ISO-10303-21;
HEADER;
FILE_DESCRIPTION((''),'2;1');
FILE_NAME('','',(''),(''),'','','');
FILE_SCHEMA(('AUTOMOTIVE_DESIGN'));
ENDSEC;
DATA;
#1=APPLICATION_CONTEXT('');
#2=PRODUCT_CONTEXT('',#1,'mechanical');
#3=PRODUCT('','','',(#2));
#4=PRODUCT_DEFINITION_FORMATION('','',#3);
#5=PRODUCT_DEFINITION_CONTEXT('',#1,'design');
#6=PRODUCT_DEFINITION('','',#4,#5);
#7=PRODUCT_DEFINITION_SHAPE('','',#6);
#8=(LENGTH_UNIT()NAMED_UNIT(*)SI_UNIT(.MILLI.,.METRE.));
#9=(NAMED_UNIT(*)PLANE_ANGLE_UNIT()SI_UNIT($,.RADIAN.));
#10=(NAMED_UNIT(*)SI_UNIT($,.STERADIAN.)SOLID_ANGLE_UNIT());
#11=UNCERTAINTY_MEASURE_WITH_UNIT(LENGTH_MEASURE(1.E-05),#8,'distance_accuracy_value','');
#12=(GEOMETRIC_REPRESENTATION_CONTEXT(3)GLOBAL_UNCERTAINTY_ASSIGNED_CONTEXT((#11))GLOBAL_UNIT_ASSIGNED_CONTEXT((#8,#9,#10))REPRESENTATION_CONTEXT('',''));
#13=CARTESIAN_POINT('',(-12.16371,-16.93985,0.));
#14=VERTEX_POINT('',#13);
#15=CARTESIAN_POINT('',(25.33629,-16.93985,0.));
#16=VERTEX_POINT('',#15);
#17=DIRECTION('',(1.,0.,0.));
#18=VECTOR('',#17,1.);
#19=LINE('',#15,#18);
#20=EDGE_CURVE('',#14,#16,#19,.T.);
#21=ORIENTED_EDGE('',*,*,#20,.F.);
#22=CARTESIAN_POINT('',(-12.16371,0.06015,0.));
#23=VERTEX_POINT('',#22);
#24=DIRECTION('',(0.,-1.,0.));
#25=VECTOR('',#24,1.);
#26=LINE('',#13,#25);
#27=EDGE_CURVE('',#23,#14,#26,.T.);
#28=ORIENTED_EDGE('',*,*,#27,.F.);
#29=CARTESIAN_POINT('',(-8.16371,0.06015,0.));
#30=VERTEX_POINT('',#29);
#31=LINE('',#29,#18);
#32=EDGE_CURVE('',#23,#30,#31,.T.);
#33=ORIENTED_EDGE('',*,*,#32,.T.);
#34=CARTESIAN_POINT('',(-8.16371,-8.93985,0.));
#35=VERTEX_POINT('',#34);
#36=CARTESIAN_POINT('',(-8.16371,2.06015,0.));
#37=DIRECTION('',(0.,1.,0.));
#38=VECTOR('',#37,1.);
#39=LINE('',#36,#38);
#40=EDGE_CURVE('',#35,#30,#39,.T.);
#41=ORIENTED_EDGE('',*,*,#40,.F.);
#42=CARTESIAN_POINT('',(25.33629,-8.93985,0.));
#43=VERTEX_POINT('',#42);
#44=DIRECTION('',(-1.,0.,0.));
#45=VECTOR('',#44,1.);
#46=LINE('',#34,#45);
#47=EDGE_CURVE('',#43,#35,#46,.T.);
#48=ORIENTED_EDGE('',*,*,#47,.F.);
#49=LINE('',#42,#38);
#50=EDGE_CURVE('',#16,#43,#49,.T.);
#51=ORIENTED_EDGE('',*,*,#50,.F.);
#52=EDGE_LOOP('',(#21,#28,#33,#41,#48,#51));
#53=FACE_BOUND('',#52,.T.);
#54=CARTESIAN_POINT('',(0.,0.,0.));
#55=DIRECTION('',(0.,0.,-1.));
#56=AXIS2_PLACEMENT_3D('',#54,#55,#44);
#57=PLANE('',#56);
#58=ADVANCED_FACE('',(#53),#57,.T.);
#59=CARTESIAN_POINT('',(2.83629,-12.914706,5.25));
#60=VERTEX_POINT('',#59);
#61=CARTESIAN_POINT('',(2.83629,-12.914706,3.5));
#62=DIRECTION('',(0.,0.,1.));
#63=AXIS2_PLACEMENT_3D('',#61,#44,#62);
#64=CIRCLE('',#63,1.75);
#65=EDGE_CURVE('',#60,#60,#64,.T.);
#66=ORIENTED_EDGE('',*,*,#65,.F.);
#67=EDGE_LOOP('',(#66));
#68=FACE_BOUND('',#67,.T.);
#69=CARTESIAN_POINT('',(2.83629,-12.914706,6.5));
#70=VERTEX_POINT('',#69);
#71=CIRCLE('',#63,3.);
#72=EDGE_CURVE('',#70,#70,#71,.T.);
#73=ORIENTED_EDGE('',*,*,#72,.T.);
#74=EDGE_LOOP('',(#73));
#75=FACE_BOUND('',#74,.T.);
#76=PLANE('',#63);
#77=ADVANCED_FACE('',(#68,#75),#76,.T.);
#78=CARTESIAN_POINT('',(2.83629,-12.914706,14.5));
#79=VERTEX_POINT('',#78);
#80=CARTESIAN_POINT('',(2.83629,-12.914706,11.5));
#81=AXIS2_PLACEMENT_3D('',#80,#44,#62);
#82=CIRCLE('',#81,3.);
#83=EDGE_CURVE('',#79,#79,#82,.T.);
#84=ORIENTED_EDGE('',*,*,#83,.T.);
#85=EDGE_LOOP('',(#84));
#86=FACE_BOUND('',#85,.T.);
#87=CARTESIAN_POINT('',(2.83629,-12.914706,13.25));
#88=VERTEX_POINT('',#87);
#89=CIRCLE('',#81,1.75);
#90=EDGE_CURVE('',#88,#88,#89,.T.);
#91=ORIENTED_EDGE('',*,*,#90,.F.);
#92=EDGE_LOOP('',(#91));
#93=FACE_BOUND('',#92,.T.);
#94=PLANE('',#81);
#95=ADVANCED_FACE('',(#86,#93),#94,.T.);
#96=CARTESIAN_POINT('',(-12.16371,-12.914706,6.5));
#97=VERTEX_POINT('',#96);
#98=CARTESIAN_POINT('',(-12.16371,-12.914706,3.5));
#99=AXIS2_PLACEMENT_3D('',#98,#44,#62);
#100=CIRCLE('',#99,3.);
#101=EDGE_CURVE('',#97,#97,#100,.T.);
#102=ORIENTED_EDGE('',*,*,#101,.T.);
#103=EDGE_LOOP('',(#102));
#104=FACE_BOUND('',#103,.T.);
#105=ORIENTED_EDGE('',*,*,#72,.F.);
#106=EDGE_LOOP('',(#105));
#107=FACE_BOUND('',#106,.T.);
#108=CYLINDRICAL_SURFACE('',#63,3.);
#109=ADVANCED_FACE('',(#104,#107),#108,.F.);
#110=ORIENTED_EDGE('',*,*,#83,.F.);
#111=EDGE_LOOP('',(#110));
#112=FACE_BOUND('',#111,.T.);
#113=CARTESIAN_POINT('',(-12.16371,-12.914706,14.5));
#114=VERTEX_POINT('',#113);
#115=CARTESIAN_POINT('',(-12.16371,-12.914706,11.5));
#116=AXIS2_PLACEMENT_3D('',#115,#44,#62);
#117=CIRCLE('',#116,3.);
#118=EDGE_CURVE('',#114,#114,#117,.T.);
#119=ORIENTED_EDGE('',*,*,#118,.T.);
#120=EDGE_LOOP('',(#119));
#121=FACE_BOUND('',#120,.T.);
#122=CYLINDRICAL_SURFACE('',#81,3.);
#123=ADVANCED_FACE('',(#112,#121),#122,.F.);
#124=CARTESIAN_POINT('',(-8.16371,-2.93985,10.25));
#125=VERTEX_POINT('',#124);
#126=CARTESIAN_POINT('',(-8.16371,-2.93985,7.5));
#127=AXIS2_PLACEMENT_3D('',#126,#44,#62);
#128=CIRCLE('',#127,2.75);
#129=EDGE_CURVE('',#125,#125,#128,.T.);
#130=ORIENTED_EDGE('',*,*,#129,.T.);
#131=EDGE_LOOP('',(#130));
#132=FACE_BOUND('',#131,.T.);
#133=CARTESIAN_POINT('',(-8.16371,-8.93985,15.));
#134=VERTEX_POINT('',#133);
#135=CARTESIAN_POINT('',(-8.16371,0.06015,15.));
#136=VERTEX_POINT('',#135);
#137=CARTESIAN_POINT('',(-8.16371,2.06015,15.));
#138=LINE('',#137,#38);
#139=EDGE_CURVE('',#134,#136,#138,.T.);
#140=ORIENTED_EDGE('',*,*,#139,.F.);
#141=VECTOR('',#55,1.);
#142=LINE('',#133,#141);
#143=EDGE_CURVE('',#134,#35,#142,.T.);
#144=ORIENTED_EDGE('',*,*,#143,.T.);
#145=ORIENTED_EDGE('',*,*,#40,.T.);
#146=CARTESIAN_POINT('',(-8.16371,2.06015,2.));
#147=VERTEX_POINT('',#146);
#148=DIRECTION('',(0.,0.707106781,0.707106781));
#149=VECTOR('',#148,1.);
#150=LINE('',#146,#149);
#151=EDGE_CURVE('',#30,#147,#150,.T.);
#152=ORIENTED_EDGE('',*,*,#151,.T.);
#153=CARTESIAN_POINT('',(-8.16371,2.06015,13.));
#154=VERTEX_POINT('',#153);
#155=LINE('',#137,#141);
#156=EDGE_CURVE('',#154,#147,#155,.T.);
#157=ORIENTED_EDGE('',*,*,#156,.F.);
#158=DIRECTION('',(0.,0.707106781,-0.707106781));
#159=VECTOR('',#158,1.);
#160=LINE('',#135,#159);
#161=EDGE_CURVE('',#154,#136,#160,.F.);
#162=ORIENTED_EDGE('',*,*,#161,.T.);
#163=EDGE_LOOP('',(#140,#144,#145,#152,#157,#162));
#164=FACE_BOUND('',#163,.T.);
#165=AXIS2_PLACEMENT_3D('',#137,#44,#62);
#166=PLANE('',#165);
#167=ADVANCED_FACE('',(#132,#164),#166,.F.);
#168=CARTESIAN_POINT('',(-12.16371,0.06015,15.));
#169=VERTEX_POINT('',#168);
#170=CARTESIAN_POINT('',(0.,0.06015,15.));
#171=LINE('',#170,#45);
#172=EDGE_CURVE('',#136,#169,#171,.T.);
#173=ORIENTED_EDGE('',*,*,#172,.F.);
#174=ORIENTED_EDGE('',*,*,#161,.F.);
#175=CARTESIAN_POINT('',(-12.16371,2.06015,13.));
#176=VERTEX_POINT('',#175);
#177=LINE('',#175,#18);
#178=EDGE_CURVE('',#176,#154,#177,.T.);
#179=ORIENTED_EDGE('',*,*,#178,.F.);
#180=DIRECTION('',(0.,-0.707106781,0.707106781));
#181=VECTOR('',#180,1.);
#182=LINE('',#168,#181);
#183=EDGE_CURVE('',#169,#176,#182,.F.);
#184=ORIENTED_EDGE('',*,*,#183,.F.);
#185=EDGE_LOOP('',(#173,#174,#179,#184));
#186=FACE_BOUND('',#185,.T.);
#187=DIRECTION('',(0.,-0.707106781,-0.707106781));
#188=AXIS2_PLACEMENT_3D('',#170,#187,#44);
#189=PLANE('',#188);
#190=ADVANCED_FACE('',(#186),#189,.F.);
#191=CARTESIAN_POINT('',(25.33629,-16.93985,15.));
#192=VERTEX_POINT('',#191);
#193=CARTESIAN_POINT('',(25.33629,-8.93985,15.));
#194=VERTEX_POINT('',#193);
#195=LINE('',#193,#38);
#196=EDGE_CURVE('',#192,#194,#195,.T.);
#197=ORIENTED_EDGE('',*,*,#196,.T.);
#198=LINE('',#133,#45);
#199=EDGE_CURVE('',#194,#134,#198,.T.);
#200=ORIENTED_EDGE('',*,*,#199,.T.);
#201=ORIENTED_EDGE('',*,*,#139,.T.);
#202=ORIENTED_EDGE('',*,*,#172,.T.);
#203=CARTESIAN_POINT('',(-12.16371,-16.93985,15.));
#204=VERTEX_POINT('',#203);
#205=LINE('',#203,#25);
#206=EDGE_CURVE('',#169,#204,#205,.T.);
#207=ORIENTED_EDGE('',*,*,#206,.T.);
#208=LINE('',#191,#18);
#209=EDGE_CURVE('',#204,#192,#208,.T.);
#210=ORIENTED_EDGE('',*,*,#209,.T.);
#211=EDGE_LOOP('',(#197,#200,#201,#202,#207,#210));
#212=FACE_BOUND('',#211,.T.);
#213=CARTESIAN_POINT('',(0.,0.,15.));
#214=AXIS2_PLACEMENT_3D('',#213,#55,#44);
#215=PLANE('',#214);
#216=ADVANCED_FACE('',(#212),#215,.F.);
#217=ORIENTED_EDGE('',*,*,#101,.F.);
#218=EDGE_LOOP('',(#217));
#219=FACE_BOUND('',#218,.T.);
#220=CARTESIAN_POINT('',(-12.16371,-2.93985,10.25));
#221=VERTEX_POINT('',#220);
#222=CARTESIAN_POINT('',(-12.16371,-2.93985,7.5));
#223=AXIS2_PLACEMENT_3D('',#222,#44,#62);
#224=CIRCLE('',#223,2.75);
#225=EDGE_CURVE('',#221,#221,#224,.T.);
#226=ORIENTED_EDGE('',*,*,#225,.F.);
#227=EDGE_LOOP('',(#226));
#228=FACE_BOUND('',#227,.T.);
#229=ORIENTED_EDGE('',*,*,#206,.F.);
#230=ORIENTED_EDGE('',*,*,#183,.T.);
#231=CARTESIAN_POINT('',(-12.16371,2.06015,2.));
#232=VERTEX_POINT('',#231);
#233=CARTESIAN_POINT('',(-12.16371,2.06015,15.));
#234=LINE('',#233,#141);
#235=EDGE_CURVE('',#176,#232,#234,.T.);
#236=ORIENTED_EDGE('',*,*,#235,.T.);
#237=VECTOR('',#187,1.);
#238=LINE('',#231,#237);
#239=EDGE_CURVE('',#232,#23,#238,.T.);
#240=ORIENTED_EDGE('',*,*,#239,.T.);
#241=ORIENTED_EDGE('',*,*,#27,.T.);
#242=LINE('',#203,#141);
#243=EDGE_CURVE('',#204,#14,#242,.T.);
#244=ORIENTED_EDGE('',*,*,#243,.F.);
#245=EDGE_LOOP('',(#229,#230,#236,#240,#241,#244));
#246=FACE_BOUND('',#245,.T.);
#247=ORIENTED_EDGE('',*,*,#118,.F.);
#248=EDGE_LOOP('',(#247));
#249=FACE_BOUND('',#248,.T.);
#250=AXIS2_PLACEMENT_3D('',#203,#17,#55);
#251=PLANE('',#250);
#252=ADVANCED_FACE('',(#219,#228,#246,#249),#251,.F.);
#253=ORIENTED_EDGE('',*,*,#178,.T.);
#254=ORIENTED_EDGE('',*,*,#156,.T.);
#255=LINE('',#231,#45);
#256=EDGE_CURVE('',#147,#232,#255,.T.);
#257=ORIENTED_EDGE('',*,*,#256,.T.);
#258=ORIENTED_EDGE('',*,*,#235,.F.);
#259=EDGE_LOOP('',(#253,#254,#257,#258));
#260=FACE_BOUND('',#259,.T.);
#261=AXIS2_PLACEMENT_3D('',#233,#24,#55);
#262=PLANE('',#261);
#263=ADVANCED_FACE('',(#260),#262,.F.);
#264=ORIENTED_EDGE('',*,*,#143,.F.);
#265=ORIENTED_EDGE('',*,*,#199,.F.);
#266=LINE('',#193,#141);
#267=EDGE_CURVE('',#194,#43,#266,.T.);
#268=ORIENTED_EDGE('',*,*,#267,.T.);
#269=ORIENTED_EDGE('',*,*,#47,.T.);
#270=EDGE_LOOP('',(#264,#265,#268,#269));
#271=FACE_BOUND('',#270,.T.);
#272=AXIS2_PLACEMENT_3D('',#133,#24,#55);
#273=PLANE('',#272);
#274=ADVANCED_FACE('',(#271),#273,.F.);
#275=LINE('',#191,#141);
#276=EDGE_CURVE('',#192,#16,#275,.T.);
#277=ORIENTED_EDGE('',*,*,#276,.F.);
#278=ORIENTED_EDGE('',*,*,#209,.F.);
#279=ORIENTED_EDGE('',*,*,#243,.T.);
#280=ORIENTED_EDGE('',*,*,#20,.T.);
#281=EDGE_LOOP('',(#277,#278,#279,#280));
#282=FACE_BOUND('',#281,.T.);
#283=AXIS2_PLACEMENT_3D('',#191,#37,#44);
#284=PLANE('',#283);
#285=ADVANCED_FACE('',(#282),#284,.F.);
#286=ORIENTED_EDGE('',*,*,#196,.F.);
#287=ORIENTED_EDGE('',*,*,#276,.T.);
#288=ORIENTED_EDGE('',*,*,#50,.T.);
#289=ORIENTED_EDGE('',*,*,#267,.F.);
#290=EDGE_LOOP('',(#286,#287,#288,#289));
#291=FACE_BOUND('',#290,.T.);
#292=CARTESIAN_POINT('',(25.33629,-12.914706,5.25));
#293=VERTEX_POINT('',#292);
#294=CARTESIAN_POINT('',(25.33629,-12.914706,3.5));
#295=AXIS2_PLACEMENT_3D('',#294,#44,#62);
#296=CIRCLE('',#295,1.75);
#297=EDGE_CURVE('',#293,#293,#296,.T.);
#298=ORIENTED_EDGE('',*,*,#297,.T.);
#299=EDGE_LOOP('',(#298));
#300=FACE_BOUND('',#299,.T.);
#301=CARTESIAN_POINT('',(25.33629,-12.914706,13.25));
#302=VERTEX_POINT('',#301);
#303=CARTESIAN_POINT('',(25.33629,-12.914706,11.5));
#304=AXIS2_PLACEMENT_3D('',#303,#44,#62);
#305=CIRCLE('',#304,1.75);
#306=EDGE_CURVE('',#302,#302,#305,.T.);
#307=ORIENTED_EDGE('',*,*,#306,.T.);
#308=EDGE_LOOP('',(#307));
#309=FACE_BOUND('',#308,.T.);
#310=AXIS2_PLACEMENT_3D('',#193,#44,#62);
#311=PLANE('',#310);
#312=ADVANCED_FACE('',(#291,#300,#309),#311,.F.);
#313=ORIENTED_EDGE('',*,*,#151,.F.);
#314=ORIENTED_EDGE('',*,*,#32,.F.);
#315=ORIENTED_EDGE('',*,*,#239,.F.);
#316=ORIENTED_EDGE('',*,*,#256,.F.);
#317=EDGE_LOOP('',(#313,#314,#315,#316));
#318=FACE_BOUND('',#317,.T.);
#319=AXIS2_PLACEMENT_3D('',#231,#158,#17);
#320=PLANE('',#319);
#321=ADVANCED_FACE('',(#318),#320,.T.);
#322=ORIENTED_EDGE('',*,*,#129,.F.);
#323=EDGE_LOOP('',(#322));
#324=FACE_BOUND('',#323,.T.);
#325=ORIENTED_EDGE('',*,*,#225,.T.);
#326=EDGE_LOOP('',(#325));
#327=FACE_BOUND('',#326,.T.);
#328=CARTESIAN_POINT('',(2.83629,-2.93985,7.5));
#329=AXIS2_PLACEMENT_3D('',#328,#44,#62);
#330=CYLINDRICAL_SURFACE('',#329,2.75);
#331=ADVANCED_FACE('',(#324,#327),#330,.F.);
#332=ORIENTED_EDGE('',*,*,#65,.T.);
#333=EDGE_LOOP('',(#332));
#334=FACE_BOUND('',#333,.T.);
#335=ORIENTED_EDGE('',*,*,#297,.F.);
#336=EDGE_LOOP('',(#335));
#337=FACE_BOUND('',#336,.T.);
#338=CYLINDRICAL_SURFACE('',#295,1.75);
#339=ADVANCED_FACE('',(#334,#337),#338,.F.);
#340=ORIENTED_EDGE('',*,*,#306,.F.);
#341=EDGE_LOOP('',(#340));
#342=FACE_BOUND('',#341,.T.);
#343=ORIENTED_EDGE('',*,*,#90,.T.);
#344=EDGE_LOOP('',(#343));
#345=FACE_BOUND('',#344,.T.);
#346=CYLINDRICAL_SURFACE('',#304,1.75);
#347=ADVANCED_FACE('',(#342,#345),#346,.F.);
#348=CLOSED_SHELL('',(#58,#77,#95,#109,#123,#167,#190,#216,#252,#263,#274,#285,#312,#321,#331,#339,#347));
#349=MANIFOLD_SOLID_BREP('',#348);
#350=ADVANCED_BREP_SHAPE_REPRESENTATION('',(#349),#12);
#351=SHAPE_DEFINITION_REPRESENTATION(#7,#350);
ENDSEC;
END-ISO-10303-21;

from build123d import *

# Parameters (mm, degrees)
BOSS_EXTRUDE1_DEPTH = 15
SKETCH2_R           = 2.75
SKETCH2_R_2         = 3
SKETCH2_R_3         = 1.75
CUT_EXTRUDE1_DEPTH  = 15
SKETCH3_R           = 1.75
CUT_EXTRUDE2_DEPTH  = 38.5
CHAMFER1_SIZE       = 2


with BuildPart() as part:
    # Sketch1 → Boss-Extrude1 (new body)
    with BuildSketch(Plane.XY):
        Polygon((-12.163709917, 2.060150376), (-8.163709917, 2.060150376), (-8.163709917, -8.939849624), (25.336290083, -8.939849624), (25.336290083, -16.939849624), (-12.163709917, -16.939849624), align=None)
    extrude(amount=BOSS_EXTRUDE1_DEPTH)

    # Sketch2 → Cut-Extrude1 (cut)
    with BuildSketch(Plane.ZY.offset(12.163709917)):
        with Locations((7.5, -2.939849624)):
            Circle(SKETCH2_R)
        with Locations((11.5, -12.914706032)):
            Circle(SKETCH2_R_2)
        with Locations((11.5, -12.914706032)):
            Circle(SKETCH2_R_3, mode=Mode.SUBTRACT)
        with Locations((3.5, -12.914706032)):
            Circle(SKETCH2_R_2)
        with Locations((3.5, -12.914706032)):
            Circle(SKETCH2_R_3, mode=Mode.SUBTRACT)
    extrude(amount=-CUT_EXTRUDE1_DEPTH, mode=Mode.SUBTRACT)

    # Sketch3 → Cut-Extrude2 (cut, through all)
    with BuildSketch(Plane.ZY.offset(12.163709917)):
        with Locations((3.5, -12.914706032)):
            Circle(SKETCH3_R)
        with Locations((11.5, -12.914706032)):
            Circle(SKETCH3_R)
    extrude(amount=-CUT_EXTRUDE2_DEPTH, mode=Mode.SUBTRACT)

    # Chamfer1
    chamfer1_edges = [part.edges().sort_by_distance(p)[0] for p in [
        (-10.163709917, 2.060150376, 15),
        (-10.163709917, 2.060150376, 0),
    ]]
    chamfer(chamfer1_edges, length=CHAMFER1_SIZE)


solid = part.part
